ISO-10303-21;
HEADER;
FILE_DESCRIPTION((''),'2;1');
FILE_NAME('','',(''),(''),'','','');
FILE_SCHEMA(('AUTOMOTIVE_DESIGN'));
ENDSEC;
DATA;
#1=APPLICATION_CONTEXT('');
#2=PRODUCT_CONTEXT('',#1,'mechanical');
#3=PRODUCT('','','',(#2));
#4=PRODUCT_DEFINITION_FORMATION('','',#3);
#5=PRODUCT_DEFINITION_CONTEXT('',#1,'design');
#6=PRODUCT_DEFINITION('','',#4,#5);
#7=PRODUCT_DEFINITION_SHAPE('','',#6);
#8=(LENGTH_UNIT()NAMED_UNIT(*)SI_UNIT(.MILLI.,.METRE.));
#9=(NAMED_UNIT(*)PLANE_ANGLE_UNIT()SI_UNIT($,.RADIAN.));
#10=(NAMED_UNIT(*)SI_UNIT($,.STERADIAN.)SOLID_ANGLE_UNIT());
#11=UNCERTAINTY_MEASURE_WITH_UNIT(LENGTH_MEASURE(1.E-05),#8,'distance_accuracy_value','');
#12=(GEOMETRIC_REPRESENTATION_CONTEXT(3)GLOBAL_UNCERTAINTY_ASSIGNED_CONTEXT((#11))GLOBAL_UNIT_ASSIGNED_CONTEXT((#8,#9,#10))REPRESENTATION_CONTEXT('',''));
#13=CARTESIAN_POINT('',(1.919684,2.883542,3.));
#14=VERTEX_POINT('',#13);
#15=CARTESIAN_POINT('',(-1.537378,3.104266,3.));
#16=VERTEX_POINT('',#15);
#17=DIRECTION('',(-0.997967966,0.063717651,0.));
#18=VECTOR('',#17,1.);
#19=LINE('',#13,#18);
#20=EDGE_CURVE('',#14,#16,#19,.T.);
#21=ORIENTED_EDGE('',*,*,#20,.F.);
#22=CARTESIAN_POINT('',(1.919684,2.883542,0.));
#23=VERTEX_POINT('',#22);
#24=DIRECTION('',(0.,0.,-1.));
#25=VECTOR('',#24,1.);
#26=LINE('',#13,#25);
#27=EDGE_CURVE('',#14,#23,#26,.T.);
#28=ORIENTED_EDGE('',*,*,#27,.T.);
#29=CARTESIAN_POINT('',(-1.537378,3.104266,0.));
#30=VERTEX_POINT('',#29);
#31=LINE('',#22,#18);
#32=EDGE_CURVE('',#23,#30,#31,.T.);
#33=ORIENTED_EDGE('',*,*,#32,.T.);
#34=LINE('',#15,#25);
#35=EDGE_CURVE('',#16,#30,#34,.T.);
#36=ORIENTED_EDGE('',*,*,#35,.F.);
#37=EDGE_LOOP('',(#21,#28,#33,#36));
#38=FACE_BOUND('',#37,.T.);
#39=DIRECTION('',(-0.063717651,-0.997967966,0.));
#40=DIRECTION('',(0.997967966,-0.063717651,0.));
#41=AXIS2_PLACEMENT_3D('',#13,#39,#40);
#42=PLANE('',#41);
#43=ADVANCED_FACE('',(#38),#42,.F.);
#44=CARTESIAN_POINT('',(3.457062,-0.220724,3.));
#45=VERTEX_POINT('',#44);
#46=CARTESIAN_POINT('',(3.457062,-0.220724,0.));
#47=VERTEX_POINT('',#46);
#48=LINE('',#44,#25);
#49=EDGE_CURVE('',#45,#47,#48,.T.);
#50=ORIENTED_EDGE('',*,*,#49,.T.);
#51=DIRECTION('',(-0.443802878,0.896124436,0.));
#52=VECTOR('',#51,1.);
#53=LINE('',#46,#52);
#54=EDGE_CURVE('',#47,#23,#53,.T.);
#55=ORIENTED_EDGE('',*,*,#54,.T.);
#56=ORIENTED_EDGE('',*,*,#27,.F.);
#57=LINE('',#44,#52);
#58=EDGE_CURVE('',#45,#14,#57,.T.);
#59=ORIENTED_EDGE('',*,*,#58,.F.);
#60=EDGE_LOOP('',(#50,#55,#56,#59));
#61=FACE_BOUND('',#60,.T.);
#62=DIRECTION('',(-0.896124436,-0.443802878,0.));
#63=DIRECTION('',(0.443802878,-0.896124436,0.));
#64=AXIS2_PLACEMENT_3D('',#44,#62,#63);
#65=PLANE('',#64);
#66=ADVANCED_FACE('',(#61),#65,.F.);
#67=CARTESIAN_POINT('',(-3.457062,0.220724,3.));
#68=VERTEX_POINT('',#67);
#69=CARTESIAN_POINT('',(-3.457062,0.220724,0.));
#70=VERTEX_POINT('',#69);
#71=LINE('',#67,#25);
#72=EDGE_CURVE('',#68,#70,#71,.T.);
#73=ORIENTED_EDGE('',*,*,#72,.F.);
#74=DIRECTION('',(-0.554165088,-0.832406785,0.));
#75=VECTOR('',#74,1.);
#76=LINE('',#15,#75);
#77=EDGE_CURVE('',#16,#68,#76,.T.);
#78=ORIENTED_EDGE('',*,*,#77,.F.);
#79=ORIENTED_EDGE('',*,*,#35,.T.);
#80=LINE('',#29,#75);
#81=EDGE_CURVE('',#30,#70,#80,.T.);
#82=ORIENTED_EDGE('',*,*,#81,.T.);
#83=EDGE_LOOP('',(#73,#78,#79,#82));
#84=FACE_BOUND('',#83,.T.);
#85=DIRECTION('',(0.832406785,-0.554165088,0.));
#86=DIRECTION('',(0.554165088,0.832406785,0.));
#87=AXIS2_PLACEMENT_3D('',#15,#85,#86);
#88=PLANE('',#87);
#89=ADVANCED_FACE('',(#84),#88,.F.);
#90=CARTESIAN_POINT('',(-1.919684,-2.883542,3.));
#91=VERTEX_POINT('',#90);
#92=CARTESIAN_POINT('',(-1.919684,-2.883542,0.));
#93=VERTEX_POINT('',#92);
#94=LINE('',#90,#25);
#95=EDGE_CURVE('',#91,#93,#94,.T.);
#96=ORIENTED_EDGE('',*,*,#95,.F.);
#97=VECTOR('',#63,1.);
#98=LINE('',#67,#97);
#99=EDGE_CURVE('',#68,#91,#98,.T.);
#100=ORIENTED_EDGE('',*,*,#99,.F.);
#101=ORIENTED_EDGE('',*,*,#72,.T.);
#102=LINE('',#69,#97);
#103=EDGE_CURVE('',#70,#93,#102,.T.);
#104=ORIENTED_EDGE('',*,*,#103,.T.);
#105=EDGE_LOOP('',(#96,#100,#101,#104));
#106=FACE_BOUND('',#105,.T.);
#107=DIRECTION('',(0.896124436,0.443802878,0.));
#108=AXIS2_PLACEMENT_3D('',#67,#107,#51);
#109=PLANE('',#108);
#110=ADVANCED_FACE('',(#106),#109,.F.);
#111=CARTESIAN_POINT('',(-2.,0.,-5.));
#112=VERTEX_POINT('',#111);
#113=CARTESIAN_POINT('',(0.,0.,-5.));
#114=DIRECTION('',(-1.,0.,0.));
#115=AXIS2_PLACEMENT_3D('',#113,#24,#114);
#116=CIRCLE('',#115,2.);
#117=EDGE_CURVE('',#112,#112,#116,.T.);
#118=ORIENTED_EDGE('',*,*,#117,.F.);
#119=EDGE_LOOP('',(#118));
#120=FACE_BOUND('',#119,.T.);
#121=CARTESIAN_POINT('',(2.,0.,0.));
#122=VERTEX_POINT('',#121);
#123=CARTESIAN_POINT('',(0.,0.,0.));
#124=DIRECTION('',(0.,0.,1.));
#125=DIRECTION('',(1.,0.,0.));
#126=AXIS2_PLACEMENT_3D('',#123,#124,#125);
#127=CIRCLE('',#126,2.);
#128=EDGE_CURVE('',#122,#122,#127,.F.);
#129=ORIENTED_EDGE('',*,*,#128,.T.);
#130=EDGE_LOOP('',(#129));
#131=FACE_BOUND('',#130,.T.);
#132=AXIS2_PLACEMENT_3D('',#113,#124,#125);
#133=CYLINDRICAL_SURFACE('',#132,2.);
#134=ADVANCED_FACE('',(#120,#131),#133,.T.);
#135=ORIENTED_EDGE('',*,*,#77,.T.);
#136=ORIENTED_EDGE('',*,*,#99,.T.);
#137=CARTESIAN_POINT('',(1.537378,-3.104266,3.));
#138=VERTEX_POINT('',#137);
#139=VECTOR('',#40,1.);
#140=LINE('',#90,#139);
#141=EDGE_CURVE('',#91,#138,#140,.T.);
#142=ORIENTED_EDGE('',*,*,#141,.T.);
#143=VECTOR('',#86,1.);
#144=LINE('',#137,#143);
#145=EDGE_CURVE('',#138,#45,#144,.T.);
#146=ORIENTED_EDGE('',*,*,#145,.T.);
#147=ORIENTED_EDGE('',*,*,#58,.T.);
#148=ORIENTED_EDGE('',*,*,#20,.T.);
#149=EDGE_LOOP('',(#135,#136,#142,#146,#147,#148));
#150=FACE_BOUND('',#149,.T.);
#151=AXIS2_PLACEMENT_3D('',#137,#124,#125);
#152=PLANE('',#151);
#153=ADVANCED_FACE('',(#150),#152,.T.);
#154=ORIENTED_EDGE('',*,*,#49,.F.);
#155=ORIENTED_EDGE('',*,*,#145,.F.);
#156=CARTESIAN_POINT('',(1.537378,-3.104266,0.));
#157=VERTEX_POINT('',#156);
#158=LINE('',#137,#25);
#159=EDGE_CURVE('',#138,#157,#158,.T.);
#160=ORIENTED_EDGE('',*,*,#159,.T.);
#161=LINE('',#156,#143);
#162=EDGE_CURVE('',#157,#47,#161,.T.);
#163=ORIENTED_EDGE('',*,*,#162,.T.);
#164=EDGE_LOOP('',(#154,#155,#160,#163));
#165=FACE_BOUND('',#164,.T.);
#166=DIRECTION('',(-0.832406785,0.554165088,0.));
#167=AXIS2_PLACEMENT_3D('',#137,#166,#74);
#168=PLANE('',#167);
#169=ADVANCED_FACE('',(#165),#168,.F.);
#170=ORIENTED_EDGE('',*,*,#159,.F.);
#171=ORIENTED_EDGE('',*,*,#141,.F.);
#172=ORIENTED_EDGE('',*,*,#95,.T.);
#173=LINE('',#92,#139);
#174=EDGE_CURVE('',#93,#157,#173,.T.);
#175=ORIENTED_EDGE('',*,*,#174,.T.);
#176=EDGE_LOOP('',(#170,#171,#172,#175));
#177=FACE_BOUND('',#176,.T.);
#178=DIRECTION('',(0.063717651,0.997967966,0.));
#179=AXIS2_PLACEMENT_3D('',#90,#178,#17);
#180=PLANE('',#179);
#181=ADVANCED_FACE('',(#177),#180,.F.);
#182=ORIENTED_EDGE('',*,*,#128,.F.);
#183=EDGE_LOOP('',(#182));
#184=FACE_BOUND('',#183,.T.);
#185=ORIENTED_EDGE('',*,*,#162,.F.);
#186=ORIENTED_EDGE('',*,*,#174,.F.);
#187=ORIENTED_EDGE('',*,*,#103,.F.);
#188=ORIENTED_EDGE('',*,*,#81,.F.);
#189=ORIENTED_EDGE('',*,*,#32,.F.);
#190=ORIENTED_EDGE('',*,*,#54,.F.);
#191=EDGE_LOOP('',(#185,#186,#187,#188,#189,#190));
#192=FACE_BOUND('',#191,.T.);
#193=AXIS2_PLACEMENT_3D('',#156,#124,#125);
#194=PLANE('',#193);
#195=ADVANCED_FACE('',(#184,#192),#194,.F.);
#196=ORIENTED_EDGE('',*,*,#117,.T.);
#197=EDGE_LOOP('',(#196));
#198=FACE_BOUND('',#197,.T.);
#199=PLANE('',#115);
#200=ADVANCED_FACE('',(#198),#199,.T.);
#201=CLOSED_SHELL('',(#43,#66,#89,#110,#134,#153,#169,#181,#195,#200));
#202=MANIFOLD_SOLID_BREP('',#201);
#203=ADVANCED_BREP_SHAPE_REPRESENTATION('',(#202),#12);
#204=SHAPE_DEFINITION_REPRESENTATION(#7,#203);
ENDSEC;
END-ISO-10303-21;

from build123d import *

# Parameters (mm, degrees)
EXTRUDE_1_DEPTH = 3
SKETCH_2_R      = 2
EXTRUDE_2_DEPTH = 5


with BuildPart() as part:
    # 草图1 → 凸台-拉伸1 (new body)
    with BuildSketch(Plane.XY):
        Polygon((1.537378268, -3.104266107), (3.457062442, -0.220724418), (1.919684175, 2.883541688), (-1.537378268, 3.104266107), (-3.457062442, 0.220724418), (-1.919684175, -2.883541688), align=None)
    extrude(amount=EXTRUDE_1_DEPTH)

    # 草图2 → 凸台-拉伸2 (add)
    with BuildSketch(Plane(origin=(0, 0, 0), x_dir=(-1, 0, 0), z_dir=(0, 0, -1))):
        Circle(SKETCH_2_R)
    extrude(amount=EXTRUDE_2_DEPTH)


solid = part.part
